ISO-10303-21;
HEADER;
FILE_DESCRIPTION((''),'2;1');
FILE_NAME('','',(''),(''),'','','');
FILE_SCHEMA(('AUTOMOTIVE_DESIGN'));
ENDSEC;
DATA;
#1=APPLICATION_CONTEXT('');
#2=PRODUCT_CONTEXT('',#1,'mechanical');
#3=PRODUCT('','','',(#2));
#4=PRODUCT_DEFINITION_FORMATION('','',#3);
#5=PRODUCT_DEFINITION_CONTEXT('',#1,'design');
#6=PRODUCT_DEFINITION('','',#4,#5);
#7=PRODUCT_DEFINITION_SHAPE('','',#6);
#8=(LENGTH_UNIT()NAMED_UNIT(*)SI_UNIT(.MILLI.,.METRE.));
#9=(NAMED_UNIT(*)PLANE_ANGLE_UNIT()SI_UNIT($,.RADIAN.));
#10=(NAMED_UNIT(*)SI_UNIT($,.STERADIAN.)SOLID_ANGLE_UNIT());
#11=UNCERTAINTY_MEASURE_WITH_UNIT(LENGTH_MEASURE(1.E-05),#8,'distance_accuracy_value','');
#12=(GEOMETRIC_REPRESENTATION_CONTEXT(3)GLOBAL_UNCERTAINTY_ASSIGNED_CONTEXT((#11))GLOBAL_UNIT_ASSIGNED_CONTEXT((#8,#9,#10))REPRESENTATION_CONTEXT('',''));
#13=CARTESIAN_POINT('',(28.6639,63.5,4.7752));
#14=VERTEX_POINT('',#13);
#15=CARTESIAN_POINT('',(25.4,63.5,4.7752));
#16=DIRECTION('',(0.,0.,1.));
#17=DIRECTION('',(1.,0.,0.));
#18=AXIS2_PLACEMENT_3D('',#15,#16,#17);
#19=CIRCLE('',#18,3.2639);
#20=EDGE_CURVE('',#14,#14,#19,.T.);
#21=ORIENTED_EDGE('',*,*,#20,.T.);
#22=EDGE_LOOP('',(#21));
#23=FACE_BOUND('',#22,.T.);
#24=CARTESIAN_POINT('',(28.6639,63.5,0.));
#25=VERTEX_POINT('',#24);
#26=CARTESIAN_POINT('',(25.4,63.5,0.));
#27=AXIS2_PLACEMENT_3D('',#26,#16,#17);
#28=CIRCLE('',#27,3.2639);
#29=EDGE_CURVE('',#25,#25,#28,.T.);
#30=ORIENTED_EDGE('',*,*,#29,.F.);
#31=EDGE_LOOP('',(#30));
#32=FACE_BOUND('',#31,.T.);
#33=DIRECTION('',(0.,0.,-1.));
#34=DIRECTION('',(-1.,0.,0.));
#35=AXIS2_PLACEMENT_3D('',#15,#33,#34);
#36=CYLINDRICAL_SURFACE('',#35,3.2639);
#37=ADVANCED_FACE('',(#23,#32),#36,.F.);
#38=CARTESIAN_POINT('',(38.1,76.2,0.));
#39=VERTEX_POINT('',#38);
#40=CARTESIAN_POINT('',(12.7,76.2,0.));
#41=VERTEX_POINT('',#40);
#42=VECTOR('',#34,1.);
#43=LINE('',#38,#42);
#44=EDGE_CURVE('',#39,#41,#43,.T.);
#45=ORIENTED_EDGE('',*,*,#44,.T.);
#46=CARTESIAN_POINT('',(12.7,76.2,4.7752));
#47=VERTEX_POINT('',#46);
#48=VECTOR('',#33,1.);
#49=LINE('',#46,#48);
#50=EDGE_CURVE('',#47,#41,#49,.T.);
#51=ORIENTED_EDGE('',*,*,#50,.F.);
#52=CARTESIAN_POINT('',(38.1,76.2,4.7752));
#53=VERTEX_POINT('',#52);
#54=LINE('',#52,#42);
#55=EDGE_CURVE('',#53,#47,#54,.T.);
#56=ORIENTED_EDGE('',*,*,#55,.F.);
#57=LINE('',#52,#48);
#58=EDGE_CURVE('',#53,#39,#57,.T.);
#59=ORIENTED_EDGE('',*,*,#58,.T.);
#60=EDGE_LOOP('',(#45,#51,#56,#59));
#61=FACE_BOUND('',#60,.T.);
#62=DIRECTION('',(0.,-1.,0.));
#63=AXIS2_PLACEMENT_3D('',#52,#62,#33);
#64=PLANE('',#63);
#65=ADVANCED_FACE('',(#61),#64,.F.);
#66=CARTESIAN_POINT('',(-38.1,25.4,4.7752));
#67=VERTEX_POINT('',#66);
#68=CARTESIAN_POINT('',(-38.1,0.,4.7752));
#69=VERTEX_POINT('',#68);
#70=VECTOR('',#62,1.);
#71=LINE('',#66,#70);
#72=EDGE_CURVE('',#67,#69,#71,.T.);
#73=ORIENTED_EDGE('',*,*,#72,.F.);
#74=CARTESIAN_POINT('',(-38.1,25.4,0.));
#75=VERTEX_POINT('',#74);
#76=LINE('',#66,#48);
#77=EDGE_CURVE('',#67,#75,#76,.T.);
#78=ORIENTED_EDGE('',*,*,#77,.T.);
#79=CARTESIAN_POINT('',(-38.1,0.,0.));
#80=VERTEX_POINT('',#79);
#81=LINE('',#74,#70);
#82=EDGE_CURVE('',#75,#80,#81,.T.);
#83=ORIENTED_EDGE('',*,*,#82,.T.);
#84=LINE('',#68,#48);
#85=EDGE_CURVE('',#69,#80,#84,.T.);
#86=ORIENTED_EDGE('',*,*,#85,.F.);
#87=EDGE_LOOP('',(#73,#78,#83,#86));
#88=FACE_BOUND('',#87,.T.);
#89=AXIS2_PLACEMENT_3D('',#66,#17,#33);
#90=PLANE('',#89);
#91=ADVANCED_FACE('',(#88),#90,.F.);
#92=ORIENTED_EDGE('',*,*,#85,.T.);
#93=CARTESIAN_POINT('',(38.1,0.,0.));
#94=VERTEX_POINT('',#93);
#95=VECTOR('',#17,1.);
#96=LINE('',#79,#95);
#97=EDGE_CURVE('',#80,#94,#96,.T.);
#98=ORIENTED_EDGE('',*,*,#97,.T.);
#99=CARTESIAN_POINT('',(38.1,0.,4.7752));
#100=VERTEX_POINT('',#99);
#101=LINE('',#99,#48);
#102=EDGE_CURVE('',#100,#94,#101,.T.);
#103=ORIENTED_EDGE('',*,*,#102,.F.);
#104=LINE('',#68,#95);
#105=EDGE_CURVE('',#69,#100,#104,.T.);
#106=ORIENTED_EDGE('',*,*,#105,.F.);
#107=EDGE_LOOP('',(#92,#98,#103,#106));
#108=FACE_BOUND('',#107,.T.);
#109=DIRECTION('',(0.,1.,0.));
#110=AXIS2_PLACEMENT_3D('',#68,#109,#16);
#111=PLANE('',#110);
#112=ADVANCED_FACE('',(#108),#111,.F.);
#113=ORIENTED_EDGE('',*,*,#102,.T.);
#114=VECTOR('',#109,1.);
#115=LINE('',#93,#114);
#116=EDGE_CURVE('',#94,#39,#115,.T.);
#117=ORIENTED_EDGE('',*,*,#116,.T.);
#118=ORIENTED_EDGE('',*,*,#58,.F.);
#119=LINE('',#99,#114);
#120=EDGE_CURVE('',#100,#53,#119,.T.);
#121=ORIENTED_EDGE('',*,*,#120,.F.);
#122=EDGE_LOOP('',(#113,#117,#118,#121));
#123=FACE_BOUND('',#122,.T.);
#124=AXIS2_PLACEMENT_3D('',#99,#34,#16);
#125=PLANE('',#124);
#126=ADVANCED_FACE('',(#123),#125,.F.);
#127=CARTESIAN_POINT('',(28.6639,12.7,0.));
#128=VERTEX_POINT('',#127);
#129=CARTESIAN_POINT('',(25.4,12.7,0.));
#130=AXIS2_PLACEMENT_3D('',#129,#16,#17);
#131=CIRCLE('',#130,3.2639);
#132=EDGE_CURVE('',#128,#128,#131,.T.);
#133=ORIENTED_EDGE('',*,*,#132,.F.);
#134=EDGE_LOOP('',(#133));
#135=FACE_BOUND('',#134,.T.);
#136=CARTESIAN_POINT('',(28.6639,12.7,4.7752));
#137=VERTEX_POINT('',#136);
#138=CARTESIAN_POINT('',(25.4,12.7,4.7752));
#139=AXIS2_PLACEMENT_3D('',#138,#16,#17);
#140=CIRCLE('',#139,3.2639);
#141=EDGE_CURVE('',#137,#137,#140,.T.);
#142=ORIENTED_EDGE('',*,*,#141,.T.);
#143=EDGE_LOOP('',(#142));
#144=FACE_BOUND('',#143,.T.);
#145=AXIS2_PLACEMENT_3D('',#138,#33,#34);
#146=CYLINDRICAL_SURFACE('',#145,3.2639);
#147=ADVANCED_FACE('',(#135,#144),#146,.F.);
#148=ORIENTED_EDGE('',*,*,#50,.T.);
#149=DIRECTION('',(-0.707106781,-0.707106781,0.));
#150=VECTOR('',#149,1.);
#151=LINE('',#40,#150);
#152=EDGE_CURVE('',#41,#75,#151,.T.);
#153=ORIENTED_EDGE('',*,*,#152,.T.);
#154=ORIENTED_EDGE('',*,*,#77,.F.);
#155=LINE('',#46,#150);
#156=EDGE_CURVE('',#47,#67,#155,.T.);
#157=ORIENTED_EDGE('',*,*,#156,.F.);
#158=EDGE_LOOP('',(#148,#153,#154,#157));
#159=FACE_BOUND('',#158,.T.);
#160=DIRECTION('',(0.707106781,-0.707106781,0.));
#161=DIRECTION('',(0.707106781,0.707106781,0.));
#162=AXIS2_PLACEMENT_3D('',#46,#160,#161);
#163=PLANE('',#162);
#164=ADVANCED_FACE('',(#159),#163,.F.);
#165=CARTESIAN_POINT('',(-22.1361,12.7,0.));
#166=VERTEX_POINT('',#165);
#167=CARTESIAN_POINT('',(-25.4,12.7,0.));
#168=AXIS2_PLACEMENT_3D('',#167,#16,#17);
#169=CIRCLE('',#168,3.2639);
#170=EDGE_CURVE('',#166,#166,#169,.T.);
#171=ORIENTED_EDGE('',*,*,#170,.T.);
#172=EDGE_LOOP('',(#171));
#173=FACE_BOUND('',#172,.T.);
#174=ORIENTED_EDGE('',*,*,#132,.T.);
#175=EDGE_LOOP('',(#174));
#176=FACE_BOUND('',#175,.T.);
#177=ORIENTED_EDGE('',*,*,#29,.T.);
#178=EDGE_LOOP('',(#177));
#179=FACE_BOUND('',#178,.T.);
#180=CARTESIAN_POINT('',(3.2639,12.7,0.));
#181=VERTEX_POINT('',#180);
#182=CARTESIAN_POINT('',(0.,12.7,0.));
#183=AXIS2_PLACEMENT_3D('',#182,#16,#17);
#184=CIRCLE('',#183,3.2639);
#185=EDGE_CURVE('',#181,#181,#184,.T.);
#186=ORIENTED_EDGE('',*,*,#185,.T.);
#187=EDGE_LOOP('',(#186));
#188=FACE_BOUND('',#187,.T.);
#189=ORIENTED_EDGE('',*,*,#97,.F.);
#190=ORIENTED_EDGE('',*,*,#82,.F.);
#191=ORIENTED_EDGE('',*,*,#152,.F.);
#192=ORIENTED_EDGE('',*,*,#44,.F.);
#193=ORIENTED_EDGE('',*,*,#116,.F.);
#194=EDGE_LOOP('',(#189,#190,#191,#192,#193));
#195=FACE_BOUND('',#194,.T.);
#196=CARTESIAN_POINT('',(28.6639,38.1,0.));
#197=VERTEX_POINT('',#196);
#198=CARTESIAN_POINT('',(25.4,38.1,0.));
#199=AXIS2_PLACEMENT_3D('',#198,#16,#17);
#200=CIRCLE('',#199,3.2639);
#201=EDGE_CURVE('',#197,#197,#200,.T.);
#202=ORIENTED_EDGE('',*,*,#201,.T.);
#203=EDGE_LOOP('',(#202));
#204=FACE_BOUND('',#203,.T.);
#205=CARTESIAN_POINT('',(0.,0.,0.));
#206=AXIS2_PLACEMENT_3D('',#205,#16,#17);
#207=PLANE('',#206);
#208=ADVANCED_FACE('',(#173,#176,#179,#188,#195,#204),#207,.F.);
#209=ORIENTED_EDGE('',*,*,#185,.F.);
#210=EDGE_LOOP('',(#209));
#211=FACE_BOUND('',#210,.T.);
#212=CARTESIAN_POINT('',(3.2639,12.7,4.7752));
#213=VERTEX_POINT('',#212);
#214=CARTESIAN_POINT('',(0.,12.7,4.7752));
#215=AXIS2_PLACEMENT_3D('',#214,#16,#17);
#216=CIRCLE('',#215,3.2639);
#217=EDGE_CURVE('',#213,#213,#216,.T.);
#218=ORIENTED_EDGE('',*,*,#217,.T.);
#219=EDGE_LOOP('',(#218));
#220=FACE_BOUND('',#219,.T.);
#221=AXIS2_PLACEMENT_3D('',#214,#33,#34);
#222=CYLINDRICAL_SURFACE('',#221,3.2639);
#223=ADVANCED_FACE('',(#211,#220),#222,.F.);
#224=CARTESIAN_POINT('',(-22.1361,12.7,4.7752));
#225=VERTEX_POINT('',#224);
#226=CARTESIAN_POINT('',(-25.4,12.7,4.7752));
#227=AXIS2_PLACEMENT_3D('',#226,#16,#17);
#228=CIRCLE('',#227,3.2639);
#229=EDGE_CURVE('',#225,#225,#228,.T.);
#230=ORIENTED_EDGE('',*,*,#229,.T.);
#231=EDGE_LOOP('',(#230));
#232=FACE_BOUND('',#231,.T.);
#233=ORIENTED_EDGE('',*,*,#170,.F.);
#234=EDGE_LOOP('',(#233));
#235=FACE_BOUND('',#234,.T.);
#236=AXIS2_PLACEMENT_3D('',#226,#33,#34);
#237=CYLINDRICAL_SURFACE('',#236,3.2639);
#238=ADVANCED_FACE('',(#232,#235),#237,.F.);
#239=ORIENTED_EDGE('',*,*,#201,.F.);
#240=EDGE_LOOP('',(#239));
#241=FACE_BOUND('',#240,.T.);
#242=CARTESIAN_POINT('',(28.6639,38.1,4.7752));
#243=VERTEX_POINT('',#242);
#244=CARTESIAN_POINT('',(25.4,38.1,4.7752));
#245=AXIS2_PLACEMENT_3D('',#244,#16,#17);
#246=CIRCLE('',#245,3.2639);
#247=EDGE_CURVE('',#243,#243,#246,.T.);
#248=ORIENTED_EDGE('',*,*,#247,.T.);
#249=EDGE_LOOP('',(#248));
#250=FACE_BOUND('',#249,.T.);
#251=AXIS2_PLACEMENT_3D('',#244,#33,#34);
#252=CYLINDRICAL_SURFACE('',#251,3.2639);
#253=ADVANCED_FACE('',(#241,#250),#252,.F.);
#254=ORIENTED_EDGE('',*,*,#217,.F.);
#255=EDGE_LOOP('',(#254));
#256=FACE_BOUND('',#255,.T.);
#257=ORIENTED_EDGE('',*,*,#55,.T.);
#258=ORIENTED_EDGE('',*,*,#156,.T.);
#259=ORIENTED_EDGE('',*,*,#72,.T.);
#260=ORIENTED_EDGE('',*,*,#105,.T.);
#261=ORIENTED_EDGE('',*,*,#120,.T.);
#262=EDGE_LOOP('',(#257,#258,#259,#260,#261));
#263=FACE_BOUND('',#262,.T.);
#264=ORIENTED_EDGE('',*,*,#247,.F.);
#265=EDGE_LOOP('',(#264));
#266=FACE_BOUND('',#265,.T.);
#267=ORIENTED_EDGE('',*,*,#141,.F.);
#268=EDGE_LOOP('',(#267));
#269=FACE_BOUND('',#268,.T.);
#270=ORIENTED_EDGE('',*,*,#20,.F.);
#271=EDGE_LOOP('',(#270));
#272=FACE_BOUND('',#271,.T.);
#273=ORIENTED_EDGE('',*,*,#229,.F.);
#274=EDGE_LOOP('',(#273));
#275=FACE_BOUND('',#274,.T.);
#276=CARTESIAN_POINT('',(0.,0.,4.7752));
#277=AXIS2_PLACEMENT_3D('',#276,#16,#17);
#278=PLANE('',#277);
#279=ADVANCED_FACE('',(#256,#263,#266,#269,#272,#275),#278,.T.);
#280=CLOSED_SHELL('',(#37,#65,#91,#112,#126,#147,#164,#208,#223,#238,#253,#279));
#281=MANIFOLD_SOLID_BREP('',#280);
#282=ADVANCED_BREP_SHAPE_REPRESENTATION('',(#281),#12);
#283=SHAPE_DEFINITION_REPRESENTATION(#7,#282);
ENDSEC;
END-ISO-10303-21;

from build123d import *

# Parameters (mm, degrees)
SKETCH1_R           = 3.2639
BOSS_EXTRUDE1_DEPTH = 4.7752


with BuildPart() as part:
    # Sketch1 → Boss-Extrude1 (new body)
    with BuildSketch(Plane.XY):
        Polygon((-38.1, 0), (38.1, 0), (38.1, 76.2), (12.7, 76.2), (-38.1, 25.4), align=None)
        with Locations((25.4, 63.5)):
            Circle(SKETCH1_R, mode=Mode.SUBTRACT)
        with Locations((25.4, 38.1)):
            Circle(SKETCH1_R, mode=Mode.SUBTRACT)
        with Locations((25.4, 12.7)):
            Circle(SKETCH1_R, mode=Mode.SUBTRACT)
        with Locations((0, 12.7)):
            Circle(SKETCH1_R, mode=Mode.SUBTRACT)
        with Locations((-25.4, 12.7)):
            Circle(SKETCH1_R, mode=Mode.SUBTRACT)
    extrude(amount=BOSS_EXTRUDE1_DEPTH)


solid = part.part
